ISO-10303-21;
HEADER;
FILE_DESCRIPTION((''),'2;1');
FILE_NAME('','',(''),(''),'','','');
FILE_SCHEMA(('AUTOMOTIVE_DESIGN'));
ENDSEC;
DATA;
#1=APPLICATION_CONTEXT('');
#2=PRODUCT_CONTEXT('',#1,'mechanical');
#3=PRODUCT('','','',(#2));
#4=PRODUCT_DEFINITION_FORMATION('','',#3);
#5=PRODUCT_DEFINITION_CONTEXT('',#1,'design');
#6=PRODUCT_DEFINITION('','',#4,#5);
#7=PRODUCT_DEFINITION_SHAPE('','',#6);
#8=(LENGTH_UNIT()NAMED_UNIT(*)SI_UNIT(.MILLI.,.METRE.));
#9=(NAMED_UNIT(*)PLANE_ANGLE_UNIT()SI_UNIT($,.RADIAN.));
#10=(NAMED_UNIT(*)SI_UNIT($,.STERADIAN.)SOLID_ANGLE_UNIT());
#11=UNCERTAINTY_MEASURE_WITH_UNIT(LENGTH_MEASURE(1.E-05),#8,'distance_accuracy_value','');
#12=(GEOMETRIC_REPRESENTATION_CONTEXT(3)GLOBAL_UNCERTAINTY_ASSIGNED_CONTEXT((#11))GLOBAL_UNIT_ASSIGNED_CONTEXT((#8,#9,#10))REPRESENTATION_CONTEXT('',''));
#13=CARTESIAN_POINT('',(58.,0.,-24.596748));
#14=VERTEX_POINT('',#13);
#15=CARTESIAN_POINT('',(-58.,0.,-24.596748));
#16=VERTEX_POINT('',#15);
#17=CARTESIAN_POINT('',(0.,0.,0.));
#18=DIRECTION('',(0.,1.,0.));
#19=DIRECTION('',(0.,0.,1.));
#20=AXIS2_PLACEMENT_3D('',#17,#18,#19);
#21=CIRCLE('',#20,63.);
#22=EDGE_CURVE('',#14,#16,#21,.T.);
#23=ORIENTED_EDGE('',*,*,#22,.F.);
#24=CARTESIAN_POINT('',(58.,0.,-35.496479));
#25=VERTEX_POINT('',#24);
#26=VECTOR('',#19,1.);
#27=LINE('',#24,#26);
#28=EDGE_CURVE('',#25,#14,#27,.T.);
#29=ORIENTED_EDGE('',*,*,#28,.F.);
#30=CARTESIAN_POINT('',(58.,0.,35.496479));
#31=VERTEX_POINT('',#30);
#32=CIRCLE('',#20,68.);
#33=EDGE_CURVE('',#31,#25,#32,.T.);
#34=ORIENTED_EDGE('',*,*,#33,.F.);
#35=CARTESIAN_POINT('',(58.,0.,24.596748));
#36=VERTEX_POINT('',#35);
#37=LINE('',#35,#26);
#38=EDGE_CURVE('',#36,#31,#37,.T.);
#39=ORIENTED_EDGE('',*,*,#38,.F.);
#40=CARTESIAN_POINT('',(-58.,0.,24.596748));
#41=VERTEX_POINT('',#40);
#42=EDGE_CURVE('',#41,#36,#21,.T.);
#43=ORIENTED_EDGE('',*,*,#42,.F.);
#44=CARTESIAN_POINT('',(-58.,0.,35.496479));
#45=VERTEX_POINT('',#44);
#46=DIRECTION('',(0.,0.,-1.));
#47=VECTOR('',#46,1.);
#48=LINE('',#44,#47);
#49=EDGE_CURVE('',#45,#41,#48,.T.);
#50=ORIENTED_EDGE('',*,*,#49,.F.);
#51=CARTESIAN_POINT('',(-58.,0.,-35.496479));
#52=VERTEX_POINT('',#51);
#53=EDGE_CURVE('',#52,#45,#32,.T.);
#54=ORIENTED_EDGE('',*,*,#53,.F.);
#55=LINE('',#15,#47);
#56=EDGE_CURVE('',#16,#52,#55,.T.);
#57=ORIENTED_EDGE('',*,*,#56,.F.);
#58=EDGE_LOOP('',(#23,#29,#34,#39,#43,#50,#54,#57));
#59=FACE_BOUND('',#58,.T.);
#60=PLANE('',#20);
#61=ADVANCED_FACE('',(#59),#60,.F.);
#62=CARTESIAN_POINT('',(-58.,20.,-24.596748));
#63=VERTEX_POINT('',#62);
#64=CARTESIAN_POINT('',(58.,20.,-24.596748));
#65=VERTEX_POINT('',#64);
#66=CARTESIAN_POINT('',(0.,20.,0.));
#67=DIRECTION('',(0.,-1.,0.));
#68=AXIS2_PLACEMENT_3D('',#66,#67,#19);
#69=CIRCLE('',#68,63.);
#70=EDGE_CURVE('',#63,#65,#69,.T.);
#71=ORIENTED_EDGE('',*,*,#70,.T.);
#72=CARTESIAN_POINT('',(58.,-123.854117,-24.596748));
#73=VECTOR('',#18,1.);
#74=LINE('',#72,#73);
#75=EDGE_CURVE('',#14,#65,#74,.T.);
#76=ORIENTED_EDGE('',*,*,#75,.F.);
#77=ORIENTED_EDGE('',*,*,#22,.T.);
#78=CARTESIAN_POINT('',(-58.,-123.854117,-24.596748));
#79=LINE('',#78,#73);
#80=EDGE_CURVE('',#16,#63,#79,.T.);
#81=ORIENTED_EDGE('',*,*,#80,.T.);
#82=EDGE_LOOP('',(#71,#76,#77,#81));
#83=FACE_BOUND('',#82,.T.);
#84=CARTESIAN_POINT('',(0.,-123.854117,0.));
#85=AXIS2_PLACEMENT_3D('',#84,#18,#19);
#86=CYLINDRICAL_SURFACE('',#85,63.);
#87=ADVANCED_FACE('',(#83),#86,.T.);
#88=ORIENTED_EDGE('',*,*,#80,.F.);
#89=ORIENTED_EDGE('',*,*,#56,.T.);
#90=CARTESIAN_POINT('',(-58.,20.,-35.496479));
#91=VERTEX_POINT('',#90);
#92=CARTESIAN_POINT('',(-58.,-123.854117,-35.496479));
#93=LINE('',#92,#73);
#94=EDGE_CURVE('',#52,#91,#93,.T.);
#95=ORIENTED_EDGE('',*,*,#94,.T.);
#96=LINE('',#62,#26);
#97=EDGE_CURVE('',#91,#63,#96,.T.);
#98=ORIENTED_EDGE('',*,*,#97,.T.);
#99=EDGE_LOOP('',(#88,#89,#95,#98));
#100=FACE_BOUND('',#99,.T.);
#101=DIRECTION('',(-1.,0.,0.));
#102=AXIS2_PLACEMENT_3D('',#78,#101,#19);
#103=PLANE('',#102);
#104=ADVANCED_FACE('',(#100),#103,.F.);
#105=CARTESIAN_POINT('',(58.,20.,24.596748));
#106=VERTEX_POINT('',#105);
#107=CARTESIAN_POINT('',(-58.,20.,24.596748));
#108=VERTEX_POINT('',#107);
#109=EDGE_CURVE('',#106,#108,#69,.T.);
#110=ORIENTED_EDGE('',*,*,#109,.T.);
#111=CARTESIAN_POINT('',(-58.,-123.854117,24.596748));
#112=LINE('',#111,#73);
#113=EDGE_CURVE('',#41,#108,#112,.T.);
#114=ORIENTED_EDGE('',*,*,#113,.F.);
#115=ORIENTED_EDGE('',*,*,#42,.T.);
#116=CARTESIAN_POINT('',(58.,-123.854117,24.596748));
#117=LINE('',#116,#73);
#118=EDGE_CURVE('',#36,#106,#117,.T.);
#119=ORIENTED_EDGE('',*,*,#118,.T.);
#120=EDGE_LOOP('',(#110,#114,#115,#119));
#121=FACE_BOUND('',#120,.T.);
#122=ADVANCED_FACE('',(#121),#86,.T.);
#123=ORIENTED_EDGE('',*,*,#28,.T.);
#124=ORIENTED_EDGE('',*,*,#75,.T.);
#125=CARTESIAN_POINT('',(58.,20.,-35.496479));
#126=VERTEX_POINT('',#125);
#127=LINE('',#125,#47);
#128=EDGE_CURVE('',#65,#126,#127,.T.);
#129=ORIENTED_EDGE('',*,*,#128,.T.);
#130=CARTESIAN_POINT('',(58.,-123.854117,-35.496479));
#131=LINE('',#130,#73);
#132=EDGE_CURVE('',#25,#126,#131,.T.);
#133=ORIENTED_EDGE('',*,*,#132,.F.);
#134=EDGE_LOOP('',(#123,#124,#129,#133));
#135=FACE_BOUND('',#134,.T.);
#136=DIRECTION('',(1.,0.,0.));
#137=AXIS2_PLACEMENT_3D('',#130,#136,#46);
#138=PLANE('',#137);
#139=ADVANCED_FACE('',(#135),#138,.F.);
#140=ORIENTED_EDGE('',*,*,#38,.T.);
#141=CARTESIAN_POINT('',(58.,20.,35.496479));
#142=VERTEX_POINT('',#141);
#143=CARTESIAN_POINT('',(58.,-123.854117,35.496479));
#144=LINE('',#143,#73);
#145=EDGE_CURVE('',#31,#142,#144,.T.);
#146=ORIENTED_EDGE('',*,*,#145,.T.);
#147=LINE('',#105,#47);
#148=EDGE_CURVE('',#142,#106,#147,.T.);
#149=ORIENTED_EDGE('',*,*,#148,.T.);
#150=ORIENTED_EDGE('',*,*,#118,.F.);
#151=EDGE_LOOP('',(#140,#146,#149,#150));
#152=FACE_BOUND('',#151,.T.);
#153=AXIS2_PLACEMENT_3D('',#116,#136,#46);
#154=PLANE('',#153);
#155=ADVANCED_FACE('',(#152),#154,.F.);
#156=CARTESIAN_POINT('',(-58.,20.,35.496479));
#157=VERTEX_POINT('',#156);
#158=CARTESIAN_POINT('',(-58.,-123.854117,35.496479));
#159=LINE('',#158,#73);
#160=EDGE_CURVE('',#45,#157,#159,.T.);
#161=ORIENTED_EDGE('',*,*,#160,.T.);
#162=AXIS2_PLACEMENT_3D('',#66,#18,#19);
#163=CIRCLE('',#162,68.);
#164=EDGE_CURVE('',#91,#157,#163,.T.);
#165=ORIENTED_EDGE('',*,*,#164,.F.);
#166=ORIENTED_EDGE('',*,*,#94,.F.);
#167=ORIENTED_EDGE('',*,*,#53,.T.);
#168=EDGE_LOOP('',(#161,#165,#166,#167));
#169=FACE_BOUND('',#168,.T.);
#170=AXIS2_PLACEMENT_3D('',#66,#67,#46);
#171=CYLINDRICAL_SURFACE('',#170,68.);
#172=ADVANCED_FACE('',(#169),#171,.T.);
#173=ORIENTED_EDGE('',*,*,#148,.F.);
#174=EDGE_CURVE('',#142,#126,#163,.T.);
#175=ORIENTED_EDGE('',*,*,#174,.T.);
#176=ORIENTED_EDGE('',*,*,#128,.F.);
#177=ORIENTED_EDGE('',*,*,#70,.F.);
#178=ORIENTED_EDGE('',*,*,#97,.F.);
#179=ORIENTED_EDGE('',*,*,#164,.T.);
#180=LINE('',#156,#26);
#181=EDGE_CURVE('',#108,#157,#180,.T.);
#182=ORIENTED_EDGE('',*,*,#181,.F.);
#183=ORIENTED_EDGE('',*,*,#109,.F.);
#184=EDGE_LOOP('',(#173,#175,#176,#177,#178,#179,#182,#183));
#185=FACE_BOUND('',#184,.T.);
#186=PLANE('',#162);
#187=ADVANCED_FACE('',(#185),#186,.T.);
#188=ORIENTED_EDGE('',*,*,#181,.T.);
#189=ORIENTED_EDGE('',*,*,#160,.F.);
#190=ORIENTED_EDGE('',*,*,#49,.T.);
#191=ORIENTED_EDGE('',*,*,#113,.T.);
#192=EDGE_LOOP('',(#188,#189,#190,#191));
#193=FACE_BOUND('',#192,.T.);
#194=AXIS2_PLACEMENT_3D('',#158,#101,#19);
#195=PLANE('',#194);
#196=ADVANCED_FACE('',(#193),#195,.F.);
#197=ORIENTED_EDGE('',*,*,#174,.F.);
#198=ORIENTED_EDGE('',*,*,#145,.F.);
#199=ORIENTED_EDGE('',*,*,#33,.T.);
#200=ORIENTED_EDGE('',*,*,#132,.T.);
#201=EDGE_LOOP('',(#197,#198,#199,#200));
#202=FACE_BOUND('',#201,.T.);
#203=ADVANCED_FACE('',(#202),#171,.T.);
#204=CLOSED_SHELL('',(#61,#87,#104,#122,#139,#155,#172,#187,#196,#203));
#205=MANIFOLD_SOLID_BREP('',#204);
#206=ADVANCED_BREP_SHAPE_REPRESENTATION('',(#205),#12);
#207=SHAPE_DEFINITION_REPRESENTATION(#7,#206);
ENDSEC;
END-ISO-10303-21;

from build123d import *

# Parameters (mm, degrees)
SKETCH1_R           = 68
BOSS_EXTRUDE1_DEPTH = 20
CUT_EXTRUDE1_START  = -20
CUT_EXTRUDE1_DEPTH  = 20


with BuildPart() as part:
    # Sketch1 → Boss-Extrude1 (new body)
    with BuildSketch(Plane(origin=(0, 0, 0), x_dir=(1, 0, 0), z_dir=(0, 1, 0))):
        with Locations(Location((0, 0, 0), (0, 0, 270))):
            Circle(SKETCH1_R)
    extrude(amount=BOSS_EXTRUDE1_DEPTH)

    # Sketch2 → Cut-Extrude1 (cut)
    with BuildSketch(Plane(origin=(0, 20, 0), x_dir=(1, 0, 0), z_dir=(0, 1, 0)).offset(CUT_EXTRUDE1_START)):
        with BuildLine():
            Line((-58, -35.496478699), (-58, -24.596747752))
            ThreePointArc((-58, -24.596747752), (0, -63), (58, -24.596747752))
            Line((58, -24.596747752), (58, -35.496478699))
            ThreePointArc((58, -35.496478699), (0, -68), (-58, -35.496478699))
        make_face()
        with BuildLine():
            Line((58, 35.496478699), (58, 24.596747752))
            ThreePointArc((58, 24.596747752), (0, 63), (-58, 24.596747752))
            Line((-58, 24.596747752), (-58, 35.496478699))
            ThreePointArc((-58, 35.496478699), (0, 68), (58, 35.496478699))
        make_face()
    extrude(amount=CUT_EXTRUDE1_DEPTH, mode=Mode.SUBTRACT)


solid = part.part
